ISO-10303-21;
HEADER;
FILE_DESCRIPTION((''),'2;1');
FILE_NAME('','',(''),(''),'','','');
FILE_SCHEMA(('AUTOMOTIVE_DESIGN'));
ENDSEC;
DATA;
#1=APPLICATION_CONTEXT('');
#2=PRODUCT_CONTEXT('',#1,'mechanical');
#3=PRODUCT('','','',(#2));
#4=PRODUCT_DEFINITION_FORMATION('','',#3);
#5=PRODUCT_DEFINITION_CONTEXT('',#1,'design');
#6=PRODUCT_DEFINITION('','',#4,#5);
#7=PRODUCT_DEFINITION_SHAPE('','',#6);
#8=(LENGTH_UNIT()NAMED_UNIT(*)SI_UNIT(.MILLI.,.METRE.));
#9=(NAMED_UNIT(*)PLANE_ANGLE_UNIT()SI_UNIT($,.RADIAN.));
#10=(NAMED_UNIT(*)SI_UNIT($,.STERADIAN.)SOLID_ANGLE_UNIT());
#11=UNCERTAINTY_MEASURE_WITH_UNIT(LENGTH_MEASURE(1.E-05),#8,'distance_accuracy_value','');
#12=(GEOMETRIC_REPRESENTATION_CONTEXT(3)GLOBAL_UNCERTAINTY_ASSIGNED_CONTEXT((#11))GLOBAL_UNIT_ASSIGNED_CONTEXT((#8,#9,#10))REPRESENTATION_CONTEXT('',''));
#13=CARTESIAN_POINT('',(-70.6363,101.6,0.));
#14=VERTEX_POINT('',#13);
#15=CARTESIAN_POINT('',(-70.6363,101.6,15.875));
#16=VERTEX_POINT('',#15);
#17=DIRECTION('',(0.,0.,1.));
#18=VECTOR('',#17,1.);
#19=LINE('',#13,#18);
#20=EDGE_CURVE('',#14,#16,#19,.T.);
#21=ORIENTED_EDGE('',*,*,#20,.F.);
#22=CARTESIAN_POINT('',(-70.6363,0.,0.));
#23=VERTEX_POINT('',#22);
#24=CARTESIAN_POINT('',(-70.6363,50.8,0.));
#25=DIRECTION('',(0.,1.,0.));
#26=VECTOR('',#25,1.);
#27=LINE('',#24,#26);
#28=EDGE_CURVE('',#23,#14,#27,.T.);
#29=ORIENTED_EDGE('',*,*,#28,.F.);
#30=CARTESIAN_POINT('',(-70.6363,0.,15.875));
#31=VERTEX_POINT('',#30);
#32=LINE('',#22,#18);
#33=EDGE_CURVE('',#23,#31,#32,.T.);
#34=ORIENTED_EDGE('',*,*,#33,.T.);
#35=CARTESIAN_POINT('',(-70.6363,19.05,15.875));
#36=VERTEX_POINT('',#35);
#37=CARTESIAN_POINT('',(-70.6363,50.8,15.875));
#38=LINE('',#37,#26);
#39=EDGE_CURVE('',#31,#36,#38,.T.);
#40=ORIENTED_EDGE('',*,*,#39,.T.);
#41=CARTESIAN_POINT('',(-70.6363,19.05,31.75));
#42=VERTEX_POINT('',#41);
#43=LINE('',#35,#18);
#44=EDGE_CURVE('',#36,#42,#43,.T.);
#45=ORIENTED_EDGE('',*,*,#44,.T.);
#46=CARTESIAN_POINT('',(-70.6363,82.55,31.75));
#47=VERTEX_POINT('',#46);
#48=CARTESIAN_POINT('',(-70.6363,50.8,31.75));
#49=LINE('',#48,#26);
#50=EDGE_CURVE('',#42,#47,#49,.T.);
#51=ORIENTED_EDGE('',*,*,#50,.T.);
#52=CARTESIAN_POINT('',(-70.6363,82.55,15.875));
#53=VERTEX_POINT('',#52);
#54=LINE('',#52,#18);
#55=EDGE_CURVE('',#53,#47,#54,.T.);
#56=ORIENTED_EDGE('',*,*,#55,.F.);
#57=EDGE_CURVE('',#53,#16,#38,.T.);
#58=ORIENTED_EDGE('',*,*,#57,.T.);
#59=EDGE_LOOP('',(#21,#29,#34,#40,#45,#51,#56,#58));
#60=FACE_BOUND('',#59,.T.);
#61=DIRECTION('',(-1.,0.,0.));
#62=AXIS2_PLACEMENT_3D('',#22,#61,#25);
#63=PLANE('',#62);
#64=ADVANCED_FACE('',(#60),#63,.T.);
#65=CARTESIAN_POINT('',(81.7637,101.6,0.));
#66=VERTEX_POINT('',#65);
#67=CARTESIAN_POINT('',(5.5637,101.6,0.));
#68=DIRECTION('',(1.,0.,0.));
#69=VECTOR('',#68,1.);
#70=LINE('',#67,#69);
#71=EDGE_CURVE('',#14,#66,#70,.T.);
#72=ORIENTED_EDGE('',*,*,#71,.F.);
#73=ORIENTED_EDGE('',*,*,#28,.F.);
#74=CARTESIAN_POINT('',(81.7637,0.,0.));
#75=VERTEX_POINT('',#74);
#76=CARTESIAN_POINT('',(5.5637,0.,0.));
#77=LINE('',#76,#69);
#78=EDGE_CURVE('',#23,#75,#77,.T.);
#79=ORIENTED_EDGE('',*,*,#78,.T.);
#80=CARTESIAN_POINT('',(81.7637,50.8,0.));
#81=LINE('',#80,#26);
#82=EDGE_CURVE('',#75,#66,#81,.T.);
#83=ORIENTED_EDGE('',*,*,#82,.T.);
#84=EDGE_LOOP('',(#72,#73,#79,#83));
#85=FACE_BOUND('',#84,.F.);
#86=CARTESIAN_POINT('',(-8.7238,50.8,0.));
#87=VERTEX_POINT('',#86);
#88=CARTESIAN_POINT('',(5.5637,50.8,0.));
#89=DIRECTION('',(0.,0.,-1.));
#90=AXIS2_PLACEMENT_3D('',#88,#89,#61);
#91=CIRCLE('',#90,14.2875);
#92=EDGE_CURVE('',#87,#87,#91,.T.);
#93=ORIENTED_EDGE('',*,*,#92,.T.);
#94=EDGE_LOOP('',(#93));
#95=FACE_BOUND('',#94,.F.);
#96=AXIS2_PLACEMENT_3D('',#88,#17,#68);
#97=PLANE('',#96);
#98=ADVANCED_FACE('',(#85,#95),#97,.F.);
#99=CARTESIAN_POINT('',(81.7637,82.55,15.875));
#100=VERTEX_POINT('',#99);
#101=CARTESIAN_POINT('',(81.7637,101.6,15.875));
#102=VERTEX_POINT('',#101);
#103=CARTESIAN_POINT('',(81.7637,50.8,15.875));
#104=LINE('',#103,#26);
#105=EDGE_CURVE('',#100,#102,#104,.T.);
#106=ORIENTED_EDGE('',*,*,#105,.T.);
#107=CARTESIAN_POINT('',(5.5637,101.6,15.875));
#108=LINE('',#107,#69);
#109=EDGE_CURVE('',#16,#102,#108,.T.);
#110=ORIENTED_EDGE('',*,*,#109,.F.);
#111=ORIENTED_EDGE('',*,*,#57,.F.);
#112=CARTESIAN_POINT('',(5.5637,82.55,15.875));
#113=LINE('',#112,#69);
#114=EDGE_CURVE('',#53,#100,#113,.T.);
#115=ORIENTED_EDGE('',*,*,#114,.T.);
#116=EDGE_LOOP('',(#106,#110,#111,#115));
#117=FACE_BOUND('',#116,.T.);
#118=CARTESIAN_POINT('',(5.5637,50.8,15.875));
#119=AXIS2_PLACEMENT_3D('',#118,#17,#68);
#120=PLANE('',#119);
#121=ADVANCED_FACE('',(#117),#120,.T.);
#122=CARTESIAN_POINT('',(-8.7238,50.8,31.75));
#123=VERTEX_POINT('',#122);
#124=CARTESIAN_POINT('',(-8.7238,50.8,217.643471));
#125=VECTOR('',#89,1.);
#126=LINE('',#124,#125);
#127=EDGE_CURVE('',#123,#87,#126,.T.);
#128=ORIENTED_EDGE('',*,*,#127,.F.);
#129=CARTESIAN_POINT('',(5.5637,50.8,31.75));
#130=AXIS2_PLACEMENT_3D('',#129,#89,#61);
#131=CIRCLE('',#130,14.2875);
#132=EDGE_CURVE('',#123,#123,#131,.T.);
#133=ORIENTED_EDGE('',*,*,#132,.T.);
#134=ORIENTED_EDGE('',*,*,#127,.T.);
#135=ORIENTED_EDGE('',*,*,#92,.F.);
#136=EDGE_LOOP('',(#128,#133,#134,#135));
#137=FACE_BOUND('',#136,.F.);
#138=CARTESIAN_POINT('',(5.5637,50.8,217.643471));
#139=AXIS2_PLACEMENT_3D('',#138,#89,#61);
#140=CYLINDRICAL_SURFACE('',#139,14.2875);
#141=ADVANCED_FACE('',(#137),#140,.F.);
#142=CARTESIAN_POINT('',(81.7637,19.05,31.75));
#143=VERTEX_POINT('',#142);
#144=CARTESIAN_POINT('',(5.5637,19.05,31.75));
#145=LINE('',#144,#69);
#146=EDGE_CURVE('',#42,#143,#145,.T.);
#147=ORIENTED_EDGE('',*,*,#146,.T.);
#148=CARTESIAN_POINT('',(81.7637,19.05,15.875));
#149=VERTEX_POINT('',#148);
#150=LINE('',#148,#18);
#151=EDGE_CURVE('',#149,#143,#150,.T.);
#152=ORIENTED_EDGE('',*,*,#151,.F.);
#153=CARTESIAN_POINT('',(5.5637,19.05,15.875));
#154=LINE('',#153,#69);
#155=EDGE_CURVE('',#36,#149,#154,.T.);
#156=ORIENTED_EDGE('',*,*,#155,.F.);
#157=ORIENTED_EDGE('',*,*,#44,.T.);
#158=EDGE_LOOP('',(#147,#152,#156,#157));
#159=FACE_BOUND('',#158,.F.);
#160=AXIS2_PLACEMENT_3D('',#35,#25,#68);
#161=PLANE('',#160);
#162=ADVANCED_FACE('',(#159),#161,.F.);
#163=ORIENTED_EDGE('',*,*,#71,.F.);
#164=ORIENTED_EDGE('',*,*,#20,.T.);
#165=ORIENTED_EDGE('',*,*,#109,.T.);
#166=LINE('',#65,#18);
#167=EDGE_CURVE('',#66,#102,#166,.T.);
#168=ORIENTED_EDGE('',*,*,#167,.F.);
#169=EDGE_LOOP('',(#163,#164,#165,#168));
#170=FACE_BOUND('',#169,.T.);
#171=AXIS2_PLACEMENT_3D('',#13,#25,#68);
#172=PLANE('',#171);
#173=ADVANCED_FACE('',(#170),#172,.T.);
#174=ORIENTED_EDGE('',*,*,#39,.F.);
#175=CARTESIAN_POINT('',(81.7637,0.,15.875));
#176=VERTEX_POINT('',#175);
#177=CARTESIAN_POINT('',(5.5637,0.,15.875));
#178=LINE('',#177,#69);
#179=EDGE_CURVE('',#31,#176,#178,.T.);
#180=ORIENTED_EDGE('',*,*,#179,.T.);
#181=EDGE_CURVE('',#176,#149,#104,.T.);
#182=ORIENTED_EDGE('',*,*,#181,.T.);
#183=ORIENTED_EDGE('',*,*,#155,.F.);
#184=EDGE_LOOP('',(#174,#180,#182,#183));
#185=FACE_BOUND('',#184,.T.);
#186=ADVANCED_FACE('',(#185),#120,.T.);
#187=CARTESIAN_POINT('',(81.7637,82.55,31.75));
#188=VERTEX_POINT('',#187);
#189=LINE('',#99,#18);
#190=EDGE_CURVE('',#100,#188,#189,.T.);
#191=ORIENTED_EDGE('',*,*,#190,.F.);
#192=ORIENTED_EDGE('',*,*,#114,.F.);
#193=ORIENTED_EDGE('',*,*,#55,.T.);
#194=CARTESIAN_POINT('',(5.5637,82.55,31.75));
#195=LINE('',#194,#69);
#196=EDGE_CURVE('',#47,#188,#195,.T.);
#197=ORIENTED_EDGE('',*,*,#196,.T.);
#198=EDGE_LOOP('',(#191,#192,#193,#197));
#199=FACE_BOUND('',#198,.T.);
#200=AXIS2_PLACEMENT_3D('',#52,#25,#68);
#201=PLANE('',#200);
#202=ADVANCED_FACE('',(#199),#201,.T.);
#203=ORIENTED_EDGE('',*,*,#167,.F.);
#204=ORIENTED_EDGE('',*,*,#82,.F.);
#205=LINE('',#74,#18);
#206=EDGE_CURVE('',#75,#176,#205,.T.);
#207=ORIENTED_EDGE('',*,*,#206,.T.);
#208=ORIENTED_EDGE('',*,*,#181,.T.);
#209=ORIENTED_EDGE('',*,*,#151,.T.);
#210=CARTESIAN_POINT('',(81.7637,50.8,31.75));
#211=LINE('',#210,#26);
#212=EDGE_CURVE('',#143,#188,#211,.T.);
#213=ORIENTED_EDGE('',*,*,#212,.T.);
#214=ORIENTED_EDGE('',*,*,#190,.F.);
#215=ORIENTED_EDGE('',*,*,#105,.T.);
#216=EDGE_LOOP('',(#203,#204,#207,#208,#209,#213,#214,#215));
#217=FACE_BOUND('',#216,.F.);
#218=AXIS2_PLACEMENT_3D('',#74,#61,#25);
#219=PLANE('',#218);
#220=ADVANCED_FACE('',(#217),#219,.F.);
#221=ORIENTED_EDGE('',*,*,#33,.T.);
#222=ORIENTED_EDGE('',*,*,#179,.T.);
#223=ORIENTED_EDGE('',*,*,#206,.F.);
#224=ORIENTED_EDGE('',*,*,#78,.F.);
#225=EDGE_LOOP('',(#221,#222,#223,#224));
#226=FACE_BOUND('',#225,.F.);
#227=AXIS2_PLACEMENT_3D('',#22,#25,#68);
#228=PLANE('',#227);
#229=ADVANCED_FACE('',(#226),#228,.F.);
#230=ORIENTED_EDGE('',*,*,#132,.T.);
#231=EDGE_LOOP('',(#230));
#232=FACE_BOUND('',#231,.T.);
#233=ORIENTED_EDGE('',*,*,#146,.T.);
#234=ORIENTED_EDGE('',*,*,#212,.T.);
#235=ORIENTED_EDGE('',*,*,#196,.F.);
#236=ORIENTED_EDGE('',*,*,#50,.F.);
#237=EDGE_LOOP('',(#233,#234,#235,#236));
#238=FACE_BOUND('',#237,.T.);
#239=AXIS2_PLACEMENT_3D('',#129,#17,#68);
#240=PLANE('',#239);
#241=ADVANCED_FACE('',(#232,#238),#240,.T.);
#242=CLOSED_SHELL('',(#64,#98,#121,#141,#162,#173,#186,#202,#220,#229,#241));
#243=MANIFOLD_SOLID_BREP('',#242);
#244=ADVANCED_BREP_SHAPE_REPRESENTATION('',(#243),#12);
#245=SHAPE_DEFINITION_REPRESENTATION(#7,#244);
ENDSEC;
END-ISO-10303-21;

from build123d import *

# Parameters (mm, degrees)
F0_W     = 152.4
F0_H     = 101.6
F1_DEPTH = 15.875
F2_W     = 152.4
F2_H     = 63.5
F3_DEPTH = 15.875
F5_D     = 28.575


with BuildPart() as f1:
    # F0 (on Top) → F1 (new body)
    with BuildSketch(Plane.XY):
        with Locations((5.5637, 50.8)):
            Rectangle(F0_W, F0_H)
    extrude(amount=F1_DEPTH)

    # F2 (on face) → F3 (join)
    with BuildSketch(Plane.XY.offset(15.875)):
        with Locations((5.5637, 50.8)):
            Rectangle(F2_W, F2_H)
    extrude(amount=F3_DEPTH)

    # F5 (through all)
    with Locations(Plane.XY.offset(31.75)):
        with Locations((5.5637, 50.8)):
            Hole(F5_D / 2)


solid = f1.part
